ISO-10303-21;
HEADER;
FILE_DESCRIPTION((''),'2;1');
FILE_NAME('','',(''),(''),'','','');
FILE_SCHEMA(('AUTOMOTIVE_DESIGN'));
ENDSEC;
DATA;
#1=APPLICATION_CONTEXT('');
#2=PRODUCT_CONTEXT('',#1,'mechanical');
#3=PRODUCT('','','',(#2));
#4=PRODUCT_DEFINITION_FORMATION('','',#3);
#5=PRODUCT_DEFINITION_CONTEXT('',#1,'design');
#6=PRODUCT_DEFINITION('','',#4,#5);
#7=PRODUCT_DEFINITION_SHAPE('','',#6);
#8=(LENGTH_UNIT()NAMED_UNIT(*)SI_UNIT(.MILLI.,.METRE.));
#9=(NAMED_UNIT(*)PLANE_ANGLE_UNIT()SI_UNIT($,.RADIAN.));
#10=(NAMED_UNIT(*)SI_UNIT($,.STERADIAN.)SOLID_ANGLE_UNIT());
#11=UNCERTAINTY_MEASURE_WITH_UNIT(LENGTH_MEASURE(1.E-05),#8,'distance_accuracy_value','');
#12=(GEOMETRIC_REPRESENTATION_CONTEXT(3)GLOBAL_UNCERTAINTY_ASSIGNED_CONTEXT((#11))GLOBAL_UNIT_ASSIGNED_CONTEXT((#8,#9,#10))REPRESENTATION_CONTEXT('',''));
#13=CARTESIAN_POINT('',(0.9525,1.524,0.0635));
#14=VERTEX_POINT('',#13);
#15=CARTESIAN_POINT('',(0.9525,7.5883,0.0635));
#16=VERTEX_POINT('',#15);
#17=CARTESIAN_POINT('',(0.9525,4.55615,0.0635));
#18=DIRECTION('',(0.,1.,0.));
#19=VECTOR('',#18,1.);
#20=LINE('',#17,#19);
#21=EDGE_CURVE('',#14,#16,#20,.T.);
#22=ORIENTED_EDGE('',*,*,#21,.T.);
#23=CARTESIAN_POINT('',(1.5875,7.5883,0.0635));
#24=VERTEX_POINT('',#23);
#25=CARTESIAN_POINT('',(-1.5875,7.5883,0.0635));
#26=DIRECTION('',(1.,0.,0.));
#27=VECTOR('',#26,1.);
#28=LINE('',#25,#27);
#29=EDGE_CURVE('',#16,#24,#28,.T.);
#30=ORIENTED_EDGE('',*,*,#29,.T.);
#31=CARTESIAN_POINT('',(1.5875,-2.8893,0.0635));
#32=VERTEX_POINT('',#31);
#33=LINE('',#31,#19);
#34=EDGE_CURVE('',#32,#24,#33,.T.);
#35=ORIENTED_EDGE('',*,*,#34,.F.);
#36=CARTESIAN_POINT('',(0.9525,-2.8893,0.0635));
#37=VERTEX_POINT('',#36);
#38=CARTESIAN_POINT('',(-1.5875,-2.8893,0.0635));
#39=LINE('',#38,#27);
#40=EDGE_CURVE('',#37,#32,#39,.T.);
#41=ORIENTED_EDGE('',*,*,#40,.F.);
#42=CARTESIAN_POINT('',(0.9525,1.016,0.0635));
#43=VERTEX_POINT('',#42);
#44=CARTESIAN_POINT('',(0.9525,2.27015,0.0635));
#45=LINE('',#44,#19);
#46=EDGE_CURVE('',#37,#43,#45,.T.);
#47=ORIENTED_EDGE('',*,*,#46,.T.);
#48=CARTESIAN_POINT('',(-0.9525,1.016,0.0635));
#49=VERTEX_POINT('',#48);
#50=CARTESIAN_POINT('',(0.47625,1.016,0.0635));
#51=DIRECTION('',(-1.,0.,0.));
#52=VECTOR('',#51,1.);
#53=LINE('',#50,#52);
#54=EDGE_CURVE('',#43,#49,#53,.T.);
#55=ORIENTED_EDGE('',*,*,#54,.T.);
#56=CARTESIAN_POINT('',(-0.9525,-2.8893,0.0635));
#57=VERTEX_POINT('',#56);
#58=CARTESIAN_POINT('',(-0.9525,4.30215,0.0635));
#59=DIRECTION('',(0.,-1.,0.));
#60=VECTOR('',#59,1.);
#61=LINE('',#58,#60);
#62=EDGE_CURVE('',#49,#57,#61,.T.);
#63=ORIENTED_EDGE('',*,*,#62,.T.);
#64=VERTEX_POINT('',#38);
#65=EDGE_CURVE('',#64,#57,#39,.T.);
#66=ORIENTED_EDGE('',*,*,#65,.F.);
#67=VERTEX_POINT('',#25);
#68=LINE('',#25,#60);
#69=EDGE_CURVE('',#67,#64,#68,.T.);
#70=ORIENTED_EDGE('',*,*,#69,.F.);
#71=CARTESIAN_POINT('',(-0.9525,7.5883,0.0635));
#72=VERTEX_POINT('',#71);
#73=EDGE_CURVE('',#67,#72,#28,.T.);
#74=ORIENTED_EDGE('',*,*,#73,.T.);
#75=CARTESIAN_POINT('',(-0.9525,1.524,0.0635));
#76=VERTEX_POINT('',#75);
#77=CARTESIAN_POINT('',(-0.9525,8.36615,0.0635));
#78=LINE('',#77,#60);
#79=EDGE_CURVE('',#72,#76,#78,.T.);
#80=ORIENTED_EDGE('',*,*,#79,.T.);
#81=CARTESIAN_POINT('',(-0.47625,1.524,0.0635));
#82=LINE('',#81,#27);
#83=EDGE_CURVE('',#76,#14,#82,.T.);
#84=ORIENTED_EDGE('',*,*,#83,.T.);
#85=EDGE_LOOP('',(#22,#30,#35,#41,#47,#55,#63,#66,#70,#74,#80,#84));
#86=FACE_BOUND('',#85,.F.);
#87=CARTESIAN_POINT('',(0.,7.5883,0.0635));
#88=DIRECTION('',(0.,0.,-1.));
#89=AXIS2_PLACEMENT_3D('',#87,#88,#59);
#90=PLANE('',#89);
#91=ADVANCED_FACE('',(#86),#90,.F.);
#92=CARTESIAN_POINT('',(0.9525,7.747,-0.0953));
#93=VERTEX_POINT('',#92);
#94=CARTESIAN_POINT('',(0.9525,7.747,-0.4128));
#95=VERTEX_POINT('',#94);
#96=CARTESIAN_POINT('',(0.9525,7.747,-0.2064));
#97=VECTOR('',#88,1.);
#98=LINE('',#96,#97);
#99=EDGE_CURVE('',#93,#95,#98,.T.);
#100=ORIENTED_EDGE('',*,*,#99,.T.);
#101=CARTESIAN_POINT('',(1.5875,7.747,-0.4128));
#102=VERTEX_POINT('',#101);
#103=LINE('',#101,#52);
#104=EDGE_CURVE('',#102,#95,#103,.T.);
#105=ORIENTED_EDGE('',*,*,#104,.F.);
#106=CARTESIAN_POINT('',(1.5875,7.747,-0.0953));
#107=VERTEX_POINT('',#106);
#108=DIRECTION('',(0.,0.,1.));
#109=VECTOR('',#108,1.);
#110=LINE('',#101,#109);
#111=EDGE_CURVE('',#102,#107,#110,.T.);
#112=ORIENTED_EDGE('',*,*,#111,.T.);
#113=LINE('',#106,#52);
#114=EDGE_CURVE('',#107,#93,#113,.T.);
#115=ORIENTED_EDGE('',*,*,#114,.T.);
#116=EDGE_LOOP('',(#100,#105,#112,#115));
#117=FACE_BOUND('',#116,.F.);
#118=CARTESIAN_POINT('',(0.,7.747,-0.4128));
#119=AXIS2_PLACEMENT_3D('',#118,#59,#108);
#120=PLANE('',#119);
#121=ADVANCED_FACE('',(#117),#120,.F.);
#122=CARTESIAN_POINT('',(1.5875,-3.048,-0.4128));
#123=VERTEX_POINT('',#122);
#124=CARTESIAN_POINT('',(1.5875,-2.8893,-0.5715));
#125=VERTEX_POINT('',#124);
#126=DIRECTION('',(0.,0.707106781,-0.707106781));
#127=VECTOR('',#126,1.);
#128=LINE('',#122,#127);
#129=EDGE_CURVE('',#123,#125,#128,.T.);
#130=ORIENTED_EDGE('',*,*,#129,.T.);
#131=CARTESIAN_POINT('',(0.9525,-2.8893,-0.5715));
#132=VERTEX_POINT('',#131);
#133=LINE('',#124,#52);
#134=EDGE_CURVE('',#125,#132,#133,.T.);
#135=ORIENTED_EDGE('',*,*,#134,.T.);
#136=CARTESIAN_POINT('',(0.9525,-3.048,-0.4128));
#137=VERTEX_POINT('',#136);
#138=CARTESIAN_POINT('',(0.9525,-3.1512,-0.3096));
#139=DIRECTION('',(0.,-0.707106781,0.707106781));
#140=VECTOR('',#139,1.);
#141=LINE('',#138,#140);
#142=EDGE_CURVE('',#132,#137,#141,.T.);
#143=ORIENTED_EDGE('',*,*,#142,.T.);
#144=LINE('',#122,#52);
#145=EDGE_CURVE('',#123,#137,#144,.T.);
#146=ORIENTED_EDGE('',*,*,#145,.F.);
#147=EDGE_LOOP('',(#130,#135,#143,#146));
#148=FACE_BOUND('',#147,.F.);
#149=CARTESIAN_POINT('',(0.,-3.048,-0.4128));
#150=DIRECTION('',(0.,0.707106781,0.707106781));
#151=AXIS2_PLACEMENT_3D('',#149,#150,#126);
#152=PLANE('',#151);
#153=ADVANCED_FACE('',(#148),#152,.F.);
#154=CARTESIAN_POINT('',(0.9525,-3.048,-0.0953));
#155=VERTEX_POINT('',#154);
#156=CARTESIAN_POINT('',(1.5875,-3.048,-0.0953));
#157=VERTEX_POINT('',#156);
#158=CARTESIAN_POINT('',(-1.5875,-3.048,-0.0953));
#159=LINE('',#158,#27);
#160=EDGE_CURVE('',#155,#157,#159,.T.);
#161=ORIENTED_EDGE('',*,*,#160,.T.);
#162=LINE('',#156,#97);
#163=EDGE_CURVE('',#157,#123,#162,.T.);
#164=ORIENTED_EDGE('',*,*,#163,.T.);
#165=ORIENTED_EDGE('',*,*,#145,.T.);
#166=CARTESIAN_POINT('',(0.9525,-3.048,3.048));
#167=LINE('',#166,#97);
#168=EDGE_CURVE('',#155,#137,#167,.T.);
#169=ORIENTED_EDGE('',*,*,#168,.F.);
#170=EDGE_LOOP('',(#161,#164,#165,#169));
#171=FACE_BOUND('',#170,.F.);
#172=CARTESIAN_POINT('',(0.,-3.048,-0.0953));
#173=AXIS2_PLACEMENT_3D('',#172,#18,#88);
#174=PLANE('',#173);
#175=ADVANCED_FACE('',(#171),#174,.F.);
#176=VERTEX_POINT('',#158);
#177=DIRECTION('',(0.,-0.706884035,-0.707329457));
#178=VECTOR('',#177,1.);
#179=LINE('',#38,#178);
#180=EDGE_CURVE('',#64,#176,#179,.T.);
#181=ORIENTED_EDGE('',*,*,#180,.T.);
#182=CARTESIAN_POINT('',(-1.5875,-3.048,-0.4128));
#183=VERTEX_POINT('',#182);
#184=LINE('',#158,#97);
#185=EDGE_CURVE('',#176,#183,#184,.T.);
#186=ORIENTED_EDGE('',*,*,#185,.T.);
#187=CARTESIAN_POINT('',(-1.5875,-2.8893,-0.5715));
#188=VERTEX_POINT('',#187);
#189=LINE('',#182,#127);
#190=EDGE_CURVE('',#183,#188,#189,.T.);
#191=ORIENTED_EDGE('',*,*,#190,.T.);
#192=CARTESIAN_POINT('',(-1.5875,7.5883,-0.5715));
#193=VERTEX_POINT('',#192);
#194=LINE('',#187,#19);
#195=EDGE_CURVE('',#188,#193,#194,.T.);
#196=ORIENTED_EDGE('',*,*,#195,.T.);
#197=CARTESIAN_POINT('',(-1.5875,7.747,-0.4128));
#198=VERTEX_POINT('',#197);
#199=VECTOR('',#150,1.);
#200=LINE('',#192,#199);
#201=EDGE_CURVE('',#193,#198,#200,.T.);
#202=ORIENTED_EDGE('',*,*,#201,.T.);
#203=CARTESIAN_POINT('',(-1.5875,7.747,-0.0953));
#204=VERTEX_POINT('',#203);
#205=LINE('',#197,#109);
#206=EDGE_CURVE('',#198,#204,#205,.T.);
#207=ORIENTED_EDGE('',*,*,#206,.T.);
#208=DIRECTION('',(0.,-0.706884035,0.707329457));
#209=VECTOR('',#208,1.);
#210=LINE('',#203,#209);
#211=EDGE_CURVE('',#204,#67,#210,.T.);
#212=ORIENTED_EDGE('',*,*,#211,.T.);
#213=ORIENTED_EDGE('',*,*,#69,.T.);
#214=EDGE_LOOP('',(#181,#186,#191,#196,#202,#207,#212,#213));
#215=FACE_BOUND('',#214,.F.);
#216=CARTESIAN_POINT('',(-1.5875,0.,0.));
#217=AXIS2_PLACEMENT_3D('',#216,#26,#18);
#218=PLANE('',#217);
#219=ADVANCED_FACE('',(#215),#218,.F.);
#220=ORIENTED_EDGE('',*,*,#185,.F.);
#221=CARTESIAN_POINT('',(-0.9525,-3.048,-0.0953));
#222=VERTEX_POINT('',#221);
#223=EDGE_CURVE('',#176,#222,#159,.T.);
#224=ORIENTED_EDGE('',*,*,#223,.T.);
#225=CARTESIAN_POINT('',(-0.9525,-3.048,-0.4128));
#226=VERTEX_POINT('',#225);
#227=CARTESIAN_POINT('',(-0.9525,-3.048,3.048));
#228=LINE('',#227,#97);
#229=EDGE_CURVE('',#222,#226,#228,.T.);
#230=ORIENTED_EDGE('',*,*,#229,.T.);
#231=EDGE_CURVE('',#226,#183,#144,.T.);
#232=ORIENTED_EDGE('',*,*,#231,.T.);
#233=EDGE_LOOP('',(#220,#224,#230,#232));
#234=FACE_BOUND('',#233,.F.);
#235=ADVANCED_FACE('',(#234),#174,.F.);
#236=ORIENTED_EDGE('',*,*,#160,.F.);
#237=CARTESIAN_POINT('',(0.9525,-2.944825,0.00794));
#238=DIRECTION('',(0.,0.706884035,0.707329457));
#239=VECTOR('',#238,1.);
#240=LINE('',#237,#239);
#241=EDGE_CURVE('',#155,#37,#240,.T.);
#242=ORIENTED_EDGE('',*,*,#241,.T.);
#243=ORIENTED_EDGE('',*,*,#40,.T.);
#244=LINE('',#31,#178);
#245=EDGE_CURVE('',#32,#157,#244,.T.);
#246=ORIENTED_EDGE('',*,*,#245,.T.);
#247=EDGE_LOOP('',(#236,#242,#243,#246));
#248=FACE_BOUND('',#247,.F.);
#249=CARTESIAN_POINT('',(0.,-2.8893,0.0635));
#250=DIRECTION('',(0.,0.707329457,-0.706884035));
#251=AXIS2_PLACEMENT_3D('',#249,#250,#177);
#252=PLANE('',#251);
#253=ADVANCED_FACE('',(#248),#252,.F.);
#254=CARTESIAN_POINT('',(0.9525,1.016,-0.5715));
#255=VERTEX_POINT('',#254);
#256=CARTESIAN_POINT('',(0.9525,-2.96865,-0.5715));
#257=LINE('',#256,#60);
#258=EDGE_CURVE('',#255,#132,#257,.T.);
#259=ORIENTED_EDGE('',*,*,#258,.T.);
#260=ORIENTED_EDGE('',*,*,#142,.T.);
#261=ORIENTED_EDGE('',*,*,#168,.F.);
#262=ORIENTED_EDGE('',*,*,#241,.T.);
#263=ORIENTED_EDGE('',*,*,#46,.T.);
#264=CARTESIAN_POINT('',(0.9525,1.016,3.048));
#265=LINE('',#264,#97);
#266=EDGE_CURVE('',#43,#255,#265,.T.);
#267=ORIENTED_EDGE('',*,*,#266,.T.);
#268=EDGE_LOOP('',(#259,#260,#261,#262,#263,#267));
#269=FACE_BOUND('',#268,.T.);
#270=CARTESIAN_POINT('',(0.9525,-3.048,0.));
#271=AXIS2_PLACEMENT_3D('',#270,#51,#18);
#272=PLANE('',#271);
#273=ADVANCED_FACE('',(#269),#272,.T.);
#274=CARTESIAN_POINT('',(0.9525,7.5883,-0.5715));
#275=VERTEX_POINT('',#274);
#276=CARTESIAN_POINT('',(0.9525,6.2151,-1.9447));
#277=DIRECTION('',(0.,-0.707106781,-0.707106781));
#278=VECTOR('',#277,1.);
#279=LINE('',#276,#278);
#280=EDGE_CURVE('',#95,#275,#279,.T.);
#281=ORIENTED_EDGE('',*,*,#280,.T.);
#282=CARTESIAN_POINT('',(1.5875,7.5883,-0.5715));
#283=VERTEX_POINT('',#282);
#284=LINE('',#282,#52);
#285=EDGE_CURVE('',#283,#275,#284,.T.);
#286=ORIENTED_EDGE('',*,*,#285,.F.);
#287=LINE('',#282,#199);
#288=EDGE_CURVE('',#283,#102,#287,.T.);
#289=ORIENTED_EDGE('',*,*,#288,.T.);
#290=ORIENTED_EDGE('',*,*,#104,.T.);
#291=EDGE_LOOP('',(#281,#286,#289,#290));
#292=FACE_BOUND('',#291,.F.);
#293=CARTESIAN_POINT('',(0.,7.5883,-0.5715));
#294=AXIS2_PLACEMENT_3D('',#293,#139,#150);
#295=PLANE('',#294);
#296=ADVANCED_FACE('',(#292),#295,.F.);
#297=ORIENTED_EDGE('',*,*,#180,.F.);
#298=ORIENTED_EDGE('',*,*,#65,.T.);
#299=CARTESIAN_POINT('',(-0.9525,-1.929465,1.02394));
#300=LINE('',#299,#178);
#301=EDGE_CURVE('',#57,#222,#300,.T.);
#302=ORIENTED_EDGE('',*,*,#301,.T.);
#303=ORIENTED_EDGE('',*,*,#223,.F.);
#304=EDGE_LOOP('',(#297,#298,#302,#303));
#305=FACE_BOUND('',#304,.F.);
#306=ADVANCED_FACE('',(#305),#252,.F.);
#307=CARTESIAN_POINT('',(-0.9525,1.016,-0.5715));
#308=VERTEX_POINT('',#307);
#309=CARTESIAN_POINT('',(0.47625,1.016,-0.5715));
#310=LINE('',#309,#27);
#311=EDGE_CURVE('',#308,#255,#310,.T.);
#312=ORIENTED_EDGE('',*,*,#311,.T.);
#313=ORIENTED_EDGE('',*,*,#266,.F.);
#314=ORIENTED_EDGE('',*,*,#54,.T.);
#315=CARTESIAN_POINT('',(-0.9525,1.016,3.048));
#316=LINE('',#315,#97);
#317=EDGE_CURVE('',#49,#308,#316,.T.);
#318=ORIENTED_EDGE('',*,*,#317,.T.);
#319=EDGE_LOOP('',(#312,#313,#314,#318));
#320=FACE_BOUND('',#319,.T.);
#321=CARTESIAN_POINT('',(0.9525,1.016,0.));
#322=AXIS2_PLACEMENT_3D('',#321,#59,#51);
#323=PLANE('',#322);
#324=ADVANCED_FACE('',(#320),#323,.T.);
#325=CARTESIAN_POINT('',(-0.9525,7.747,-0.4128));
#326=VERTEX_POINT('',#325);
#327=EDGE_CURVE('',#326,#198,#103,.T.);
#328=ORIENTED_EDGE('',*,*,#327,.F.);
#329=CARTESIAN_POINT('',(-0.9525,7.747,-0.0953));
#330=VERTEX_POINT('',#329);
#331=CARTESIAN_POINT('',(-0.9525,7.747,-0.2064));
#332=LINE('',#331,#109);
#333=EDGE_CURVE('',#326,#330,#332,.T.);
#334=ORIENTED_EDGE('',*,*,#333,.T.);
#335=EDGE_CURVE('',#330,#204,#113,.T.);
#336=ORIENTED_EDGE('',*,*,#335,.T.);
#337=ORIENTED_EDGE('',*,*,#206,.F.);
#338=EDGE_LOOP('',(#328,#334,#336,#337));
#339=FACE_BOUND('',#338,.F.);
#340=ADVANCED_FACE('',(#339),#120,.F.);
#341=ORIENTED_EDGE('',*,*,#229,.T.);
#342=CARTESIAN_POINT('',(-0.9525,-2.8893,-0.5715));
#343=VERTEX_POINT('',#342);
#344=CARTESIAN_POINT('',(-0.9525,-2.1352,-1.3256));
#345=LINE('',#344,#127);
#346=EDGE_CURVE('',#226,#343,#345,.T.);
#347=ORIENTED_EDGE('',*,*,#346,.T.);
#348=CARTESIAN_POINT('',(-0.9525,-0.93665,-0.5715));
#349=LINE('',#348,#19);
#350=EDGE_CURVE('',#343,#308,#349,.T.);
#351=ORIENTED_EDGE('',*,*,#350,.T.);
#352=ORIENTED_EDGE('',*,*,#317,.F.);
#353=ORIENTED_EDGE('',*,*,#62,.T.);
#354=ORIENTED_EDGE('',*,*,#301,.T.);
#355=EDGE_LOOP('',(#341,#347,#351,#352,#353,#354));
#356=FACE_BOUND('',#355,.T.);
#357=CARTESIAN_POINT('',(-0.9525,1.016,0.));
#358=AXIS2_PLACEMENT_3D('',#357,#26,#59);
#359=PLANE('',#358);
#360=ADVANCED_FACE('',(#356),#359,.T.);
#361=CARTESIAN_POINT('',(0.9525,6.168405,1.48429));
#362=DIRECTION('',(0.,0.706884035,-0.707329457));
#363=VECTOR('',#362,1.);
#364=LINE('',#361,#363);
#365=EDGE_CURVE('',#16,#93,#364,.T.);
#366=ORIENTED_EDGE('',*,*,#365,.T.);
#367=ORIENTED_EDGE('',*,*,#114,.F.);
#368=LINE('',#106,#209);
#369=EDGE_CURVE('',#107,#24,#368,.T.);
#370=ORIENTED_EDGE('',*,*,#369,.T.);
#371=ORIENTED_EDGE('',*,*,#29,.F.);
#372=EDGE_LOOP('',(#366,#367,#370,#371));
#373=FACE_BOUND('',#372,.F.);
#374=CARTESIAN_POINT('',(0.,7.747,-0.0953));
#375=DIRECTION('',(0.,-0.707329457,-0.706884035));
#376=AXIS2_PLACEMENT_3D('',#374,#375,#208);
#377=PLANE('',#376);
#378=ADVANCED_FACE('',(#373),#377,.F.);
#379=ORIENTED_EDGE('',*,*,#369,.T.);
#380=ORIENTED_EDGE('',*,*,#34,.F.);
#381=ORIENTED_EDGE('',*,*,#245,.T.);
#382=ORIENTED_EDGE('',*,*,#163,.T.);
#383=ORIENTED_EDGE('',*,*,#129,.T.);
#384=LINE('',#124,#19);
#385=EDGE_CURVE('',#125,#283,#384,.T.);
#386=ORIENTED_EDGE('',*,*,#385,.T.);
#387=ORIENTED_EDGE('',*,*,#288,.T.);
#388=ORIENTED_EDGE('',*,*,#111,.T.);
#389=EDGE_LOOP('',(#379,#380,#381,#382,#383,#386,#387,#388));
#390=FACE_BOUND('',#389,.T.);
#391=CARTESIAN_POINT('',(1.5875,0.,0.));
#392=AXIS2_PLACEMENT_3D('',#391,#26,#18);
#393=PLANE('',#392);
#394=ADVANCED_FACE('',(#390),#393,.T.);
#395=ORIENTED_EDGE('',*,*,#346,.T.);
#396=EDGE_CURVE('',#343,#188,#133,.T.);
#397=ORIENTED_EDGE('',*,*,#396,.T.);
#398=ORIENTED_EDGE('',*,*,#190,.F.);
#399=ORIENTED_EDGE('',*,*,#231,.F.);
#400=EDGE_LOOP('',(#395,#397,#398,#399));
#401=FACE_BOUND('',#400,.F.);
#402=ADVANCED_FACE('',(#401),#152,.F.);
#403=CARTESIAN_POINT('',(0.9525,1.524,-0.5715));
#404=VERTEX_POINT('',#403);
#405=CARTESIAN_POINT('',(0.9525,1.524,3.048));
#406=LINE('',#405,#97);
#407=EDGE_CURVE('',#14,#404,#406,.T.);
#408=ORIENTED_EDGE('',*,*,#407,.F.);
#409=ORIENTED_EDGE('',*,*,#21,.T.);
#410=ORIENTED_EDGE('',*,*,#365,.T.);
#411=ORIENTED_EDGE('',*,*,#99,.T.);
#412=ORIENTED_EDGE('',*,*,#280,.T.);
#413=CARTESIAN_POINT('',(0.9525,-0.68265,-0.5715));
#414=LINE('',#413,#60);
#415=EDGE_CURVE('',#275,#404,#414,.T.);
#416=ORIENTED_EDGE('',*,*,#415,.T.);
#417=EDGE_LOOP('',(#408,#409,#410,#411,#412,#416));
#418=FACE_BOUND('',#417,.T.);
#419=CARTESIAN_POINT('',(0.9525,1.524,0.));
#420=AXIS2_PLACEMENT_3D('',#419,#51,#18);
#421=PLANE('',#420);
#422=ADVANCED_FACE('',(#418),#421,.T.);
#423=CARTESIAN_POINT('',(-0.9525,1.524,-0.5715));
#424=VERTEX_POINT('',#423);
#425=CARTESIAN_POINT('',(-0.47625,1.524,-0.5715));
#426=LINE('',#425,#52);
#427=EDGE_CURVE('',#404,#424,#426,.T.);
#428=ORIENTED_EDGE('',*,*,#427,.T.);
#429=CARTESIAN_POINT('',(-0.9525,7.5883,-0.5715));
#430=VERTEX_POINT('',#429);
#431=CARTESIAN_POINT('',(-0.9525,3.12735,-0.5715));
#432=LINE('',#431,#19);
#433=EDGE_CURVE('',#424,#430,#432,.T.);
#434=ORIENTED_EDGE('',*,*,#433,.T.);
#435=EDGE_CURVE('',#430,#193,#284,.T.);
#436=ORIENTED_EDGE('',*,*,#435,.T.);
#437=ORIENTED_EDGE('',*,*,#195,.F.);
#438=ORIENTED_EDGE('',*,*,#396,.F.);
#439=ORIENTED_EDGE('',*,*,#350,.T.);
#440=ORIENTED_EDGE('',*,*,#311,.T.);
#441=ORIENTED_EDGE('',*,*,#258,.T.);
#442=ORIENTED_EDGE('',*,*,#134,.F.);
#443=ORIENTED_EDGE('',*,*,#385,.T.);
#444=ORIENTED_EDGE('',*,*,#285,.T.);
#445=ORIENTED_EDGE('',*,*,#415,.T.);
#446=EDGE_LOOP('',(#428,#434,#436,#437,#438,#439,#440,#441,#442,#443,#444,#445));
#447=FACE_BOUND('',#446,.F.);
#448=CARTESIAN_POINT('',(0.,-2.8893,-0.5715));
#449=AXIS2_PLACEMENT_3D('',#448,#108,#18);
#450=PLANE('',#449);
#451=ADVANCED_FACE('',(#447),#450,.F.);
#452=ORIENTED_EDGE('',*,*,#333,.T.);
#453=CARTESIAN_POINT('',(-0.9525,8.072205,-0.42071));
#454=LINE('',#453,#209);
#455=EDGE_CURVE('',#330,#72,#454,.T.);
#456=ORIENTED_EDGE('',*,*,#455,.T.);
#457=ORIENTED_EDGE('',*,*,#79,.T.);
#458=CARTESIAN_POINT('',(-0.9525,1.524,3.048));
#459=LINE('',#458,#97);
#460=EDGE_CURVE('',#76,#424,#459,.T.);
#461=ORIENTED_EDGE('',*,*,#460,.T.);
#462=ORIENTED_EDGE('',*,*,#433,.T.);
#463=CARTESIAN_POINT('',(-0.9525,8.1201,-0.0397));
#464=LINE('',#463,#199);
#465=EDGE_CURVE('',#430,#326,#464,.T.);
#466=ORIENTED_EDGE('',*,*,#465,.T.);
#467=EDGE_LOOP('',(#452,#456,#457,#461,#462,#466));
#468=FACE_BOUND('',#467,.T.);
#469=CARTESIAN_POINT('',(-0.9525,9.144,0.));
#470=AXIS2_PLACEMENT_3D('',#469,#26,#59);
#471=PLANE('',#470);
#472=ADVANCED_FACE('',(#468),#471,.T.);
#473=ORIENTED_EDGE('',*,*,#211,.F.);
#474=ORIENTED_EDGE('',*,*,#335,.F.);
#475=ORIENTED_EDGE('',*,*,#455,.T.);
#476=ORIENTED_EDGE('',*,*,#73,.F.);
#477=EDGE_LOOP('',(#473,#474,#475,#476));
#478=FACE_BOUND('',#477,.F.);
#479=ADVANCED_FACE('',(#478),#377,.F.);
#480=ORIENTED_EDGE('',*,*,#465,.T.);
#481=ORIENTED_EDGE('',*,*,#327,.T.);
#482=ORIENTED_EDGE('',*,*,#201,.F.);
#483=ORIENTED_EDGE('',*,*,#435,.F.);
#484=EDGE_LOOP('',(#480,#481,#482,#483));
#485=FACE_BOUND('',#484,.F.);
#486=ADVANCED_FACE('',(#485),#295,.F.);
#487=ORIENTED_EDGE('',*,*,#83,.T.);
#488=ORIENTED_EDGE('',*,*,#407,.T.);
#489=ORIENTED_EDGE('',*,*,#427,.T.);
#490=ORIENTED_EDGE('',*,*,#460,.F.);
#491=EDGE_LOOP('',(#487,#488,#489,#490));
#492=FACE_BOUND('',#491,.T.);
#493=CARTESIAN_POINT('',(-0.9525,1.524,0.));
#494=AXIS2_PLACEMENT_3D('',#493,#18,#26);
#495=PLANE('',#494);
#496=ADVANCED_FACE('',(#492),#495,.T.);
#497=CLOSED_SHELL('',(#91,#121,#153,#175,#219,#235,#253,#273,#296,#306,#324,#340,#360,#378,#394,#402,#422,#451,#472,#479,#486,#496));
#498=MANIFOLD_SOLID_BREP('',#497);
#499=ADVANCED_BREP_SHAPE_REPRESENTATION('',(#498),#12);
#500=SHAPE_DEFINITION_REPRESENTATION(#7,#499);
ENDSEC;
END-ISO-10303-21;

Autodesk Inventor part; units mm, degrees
sketch "Sketch_2" plane through (0, 0, 0) normal (1, 0, 0) x (0, 1, 0)
  line L0 (7.5883, 0.0635) -> (-2.8893, 0.0635)
  line L1 (-2.8893, 0.0635) -> (-3.048, -0.0953)
  line L2 (-3.048, -0.0953) -> (-3.048, -0.4128)
  line L3 (-3.048, -0.4128) -> (-2.8893, -0.5715)
  line L4 (-2.8893, -0.5715) -> (7.5883, -0.5715)
  line L5 (7.5883, -0.5715) -> (7.747, -0.4128)
  line L6 (7.747, -0.4128) -> (7.747, -0.0953)
  line L7 (7.747, -0.0953) -> (7.5883, 0.0635)
extrude "Extrusion1" add sketch "Sketch_2" along normal mid plane 3.175
sketch "Sketch_10" plane through (0, 0, 0) normal (0, 0, 1) x (1, 0, 0)
  line L0 (-3.4925, -3.556) -> (4.1275, -3.556)
  line L1 (4.1275, -3.556) -> (4.1275, -3.048)
  line L2 (4.1275, -3.048) -> (3.4925, -3.048)
  line L3 (3.4925, -3.048) -> (3.4925, 1.016)
  line L4 (3.4925, 1.016) -> (1.5875, 1.016)
  line L5 (1.5875, 1.016) -> (1.5875, -3.048)
  line L6 (1.5875, -3.048) -> (0.9525, -3.048)
  line L7 (0.9525, -3.048) -> (0.9525, 1.016)
  line L8 (0.9525, 1.016) -> (-0.9525, 1.016)
  line L9 (-0.9525, 1.016) -> (-0.9525, -3.048)
  line L10 (-0.9525, -3.048) -> (-1.5875, -3.048)
  line L11 (-1.5875, -3.048) -> (-1.5875, 1.016)
  line L12 (-1.5875, 1.016) -> (-3.4925, 1.016)
  line L13 (-3.4925, 1.016) -> (-3.4925, -3.556)
extrude "Extrusion2" cut sketch "Sketch_10" along normal mid plane 6.096
sketch "Sketch_22" plane through (0, 0, 0) normal (0, 0, 1) x (1, 0, 0)
  line L0 (-3.4925, 9.652) -> (-3.4925, 1.524)
  line L1 (-3.4925, 1.524) -> (-1.5875, 1.524)
  line L2 (-1.5875, 1.524) -> (-1.5875, 9.144)
  line L3 (-1.5875, 9.144) -> (-0.9525, 9.144)
  line L4 (-0.9525, 9.144) -> (-0.9525, 1.524)
  line L5 (-0.9525, 1.524) -> (0.9525, 1.524)
  line L6 (0.9525, 1.524) -> (0.9525, 9.144)
  line L7 (0.9525, 9.144) -> (1.5875, 9.144)
  line L8 (1.5875, 9.144) -> (1.5875, 1.524)
  line L9 (1.5875, 1.524) -> (3.4925, 1.524)
  line L10 (3.4925, 1.524) -> (3.4925, 9.144)
  line L11 (3.4925, 9.144) -> (4.1275, 9.144)
  line L12 (4.1275, 9.144) -> (4.1275, 9.652)
  line L13 (4.1275, 9.652) -> (-3.4925, 9.652)
extrude "Extrusion3" cut sketch "Sketch_22" along normal mid plane 6.096
ref_plane "pins_to_header_XY" through (0, 0, 0) normal (0, 1, 0) x (1, 0, 0)
ref_plane "pins_to_header_YZ" through (0, 0, 0) normal (1, 0, 0) x (0, 0, -1)
ref_plane "pins_to_header_ZX" through (0, 0, 0) normal (0, 0, -1) x (0, 1, 0)
properties part number "T-1S64-01-02-S"
